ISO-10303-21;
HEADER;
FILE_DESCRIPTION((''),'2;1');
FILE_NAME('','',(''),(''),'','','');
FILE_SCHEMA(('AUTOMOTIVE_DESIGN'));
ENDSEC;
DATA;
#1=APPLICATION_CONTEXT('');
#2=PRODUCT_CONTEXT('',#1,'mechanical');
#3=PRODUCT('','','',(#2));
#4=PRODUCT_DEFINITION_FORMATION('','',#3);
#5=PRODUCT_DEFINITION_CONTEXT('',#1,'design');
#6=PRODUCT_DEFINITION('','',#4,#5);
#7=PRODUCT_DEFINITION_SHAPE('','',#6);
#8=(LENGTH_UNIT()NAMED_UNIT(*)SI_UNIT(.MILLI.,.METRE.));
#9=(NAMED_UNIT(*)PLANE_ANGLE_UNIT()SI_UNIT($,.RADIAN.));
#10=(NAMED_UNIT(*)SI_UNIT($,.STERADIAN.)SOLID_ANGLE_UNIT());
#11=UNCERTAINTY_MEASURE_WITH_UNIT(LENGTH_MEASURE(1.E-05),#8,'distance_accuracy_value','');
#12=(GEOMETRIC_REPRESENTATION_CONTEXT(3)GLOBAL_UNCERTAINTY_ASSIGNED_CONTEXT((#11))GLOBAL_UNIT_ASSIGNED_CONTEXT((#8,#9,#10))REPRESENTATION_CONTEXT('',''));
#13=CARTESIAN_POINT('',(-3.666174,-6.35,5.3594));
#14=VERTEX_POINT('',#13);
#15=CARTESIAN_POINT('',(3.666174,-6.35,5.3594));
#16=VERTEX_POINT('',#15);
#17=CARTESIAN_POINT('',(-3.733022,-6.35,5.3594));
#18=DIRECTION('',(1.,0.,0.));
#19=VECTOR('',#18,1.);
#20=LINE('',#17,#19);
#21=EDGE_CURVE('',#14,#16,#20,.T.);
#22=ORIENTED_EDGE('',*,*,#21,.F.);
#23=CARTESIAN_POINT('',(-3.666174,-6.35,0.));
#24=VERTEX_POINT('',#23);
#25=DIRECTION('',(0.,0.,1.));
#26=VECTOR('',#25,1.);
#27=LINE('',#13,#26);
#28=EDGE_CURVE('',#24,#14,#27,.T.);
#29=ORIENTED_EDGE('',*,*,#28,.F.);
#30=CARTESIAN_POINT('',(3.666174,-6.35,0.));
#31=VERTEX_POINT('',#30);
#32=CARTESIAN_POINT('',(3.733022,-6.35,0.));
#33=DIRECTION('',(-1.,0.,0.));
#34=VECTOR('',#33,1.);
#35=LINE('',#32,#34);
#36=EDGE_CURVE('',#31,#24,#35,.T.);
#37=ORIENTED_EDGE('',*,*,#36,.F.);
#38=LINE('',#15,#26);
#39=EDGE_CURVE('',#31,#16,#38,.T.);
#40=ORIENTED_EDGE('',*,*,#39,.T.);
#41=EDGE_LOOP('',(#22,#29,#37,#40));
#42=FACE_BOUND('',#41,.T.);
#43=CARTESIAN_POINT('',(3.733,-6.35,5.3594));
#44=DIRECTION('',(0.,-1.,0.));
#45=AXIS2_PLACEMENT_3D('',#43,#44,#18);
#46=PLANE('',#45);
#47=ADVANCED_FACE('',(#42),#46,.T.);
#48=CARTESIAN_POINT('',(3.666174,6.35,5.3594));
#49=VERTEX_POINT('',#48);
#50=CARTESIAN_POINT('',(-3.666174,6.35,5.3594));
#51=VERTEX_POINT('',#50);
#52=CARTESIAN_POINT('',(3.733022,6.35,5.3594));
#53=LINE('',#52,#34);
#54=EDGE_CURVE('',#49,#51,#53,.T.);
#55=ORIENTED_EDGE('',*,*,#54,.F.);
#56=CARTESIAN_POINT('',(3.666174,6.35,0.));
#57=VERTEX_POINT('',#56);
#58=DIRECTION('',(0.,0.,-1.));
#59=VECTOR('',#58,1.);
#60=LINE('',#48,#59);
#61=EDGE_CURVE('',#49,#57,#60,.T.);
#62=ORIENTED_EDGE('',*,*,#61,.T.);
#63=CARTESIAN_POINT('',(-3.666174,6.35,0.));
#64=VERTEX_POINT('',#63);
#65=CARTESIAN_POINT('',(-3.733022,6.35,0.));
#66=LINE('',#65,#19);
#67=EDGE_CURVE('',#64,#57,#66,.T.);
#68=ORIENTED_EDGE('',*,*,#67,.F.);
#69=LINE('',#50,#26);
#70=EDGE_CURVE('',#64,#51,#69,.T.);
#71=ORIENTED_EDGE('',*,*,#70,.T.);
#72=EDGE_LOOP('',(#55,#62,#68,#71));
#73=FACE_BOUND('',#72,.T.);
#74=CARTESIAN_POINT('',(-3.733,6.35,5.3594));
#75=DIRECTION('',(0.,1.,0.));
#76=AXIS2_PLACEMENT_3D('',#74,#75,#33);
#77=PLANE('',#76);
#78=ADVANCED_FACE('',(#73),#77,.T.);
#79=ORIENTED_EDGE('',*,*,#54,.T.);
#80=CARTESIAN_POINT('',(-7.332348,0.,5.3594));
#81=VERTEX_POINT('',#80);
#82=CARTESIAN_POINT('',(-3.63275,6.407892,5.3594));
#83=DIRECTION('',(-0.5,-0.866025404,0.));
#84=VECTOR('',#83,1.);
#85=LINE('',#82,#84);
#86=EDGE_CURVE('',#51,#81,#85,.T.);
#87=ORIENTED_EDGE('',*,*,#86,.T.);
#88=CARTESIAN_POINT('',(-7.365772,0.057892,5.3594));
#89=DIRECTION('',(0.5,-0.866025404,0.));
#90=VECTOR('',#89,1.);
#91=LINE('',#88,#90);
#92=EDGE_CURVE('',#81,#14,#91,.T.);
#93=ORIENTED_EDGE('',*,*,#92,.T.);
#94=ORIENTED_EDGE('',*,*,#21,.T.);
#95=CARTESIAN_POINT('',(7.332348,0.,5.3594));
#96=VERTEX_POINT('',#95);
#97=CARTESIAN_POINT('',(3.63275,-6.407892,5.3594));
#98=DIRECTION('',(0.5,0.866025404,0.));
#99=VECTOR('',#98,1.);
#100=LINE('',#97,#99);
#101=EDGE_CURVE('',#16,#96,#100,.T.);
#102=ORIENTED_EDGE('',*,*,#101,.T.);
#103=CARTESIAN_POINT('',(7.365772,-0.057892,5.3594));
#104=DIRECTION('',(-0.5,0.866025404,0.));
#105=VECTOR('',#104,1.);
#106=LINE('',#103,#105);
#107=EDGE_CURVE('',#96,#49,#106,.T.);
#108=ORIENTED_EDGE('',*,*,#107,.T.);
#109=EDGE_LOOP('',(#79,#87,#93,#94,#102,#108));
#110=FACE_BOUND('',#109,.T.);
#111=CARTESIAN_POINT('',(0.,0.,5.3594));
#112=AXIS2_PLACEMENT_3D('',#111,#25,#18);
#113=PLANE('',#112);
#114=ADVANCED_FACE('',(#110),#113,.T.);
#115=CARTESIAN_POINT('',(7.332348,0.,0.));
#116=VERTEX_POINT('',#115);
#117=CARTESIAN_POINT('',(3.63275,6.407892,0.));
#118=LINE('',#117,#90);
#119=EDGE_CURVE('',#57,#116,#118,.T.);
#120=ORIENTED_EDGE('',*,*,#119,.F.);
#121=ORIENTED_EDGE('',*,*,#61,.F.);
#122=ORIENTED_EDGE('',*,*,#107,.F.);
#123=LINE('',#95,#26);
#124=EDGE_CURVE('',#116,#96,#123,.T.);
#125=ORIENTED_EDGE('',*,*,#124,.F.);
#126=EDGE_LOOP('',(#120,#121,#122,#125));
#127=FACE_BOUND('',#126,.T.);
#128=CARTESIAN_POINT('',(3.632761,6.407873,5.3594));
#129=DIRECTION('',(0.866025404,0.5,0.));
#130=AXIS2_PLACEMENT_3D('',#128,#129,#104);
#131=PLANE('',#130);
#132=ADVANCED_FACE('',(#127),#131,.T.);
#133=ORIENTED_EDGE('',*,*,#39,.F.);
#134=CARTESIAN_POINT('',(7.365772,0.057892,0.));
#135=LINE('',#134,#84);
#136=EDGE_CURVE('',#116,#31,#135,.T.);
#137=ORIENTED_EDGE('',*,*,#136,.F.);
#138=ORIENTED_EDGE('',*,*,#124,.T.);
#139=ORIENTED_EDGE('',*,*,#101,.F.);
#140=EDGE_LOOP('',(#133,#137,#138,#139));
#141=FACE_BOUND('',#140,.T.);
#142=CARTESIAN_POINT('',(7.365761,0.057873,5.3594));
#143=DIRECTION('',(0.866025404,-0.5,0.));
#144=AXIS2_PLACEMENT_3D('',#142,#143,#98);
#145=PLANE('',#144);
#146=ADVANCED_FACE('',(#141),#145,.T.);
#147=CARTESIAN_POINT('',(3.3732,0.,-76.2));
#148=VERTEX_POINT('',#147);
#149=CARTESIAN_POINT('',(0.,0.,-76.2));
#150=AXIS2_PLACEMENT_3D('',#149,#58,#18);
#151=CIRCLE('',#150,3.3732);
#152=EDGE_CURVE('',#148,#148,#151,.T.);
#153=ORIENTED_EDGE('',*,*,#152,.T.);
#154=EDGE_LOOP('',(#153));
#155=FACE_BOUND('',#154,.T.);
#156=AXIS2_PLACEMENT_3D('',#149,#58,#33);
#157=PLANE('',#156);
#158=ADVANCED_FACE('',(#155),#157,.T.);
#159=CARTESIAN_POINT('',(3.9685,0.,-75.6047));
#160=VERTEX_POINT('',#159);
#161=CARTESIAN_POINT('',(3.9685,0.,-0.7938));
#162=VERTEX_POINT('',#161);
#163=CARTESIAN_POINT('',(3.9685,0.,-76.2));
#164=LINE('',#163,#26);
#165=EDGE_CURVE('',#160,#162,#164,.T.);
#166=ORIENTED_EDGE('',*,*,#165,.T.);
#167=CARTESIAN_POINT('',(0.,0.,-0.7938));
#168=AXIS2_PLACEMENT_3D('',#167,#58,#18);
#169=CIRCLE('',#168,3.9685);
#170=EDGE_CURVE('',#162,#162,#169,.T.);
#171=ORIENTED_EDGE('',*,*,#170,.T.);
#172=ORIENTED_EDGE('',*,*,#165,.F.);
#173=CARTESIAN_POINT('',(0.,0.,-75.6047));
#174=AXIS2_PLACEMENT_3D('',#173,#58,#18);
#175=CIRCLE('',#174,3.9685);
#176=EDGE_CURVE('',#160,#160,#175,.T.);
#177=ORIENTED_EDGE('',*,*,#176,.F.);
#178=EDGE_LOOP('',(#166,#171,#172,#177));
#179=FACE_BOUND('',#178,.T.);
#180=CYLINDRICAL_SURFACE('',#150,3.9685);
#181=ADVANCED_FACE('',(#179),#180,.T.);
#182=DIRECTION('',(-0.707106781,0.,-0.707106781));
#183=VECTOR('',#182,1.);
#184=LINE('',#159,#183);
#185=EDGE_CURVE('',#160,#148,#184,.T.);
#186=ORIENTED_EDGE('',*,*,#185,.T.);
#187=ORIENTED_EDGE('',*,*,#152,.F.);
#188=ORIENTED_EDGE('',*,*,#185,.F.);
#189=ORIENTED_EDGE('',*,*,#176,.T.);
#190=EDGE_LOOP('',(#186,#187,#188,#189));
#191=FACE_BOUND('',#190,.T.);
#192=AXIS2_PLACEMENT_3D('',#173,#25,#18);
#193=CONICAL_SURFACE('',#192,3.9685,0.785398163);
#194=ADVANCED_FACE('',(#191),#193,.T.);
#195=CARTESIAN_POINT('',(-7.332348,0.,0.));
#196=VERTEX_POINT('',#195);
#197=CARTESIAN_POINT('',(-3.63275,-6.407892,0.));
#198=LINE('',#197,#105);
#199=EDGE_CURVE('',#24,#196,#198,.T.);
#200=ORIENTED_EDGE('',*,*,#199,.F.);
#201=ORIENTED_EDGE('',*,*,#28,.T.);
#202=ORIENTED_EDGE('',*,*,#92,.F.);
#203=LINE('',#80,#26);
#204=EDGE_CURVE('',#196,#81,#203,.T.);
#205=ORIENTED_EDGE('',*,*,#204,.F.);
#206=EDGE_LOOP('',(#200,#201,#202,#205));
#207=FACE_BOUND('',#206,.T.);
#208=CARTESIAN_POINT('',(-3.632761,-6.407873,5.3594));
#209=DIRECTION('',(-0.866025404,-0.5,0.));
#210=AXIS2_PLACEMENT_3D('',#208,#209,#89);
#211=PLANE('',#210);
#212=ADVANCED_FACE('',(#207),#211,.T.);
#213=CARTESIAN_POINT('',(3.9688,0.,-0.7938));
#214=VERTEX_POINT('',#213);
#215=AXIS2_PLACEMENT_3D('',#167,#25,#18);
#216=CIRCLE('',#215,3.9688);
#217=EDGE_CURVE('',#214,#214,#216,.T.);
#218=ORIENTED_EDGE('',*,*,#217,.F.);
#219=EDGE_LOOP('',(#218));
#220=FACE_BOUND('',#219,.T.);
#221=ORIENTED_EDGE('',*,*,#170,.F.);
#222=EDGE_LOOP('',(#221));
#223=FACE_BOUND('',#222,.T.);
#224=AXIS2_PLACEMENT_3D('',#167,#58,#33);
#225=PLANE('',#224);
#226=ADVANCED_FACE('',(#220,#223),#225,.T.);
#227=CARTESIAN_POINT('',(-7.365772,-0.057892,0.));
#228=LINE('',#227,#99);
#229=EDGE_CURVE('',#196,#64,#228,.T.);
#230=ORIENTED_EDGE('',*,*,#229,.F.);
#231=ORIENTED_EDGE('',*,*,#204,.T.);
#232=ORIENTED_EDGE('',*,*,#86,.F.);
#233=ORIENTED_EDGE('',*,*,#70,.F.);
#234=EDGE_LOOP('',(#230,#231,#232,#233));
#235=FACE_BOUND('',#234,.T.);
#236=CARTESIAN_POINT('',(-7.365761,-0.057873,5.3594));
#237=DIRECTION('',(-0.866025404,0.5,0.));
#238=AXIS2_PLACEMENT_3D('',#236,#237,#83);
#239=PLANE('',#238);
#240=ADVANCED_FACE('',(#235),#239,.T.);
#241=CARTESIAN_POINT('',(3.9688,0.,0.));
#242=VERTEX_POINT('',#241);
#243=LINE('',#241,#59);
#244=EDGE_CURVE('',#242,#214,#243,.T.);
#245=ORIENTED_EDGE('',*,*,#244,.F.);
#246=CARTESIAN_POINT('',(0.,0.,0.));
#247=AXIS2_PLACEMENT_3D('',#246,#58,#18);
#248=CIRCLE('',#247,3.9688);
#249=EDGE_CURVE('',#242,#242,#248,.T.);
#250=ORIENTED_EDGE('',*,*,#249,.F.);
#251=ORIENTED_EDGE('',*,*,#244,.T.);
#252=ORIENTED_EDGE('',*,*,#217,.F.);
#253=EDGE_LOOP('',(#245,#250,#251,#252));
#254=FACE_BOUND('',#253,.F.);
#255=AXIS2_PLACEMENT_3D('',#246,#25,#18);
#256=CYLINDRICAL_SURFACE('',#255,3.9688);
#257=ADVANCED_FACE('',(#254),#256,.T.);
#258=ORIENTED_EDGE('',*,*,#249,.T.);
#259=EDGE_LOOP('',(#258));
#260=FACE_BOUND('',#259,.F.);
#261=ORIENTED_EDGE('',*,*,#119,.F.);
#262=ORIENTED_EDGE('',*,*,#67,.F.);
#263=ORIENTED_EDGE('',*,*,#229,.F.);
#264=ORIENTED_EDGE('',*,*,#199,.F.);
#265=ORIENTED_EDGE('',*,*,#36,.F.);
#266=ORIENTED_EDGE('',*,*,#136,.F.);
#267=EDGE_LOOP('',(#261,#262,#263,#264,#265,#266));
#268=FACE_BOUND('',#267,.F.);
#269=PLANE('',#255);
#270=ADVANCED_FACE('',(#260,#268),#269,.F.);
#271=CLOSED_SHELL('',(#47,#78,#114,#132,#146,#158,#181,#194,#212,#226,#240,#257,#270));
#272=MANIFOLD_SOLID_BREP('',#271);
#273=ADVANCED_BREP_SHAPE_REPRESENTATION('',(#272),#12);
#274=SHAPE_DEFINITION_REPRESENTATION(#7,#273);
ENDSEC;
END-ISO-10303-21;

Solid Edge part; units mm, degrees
sketch "Sketch1" plane through (0, 0, 0) normal (0, 0, 1) x (1, 0, 0)
  circle A0 centre (0, 0) radius 7.366
  dimension "D1" = 14.732
extrude "Protrusion1" add sketch "Sketch1" along normal blind 5.3594
sketch "Sketch2" plane through (0, 0, 0) normal (0, 0, -1) x (1, 0, 0)
  circle A0 centre (0, 0) radius 3.9688
extrude "Protrusion2" add sketch "Sketch2" along normal blind 76.2
sketch "Sketch3" plane through (0, 0, -76.2) normal (0, 0, -1) x (1, 0, 0)
  circle A0 centre (0, 0) radius 3.9685
extrude "Cutout1" cut sketch "Sketch3" against normal blind 75.4062 flip side to cut
chamfer "Chamfer_1" distance 0.5953 angle 45 1 edges at (-3.9685, 0, -76.2)
sketch "Sketch4" plane through (0, 0, 5.3594) normal (0, 0, 1) x (1, 0, 0)
  line L0 (-3.733, 6.35) -> (3.733, 6.35)
  dimension "D1" = 12.7
extrude "Cutout2" cut sketch "Sketch4" against normal up to next material side at (0, 6.4, 5.3594)
pattern_circular "Pattern1" count 6 over 360 about axis through (0, 0, 5.3594) along (0, 0, 1) of "Cutout2"
properties part number "185614"
